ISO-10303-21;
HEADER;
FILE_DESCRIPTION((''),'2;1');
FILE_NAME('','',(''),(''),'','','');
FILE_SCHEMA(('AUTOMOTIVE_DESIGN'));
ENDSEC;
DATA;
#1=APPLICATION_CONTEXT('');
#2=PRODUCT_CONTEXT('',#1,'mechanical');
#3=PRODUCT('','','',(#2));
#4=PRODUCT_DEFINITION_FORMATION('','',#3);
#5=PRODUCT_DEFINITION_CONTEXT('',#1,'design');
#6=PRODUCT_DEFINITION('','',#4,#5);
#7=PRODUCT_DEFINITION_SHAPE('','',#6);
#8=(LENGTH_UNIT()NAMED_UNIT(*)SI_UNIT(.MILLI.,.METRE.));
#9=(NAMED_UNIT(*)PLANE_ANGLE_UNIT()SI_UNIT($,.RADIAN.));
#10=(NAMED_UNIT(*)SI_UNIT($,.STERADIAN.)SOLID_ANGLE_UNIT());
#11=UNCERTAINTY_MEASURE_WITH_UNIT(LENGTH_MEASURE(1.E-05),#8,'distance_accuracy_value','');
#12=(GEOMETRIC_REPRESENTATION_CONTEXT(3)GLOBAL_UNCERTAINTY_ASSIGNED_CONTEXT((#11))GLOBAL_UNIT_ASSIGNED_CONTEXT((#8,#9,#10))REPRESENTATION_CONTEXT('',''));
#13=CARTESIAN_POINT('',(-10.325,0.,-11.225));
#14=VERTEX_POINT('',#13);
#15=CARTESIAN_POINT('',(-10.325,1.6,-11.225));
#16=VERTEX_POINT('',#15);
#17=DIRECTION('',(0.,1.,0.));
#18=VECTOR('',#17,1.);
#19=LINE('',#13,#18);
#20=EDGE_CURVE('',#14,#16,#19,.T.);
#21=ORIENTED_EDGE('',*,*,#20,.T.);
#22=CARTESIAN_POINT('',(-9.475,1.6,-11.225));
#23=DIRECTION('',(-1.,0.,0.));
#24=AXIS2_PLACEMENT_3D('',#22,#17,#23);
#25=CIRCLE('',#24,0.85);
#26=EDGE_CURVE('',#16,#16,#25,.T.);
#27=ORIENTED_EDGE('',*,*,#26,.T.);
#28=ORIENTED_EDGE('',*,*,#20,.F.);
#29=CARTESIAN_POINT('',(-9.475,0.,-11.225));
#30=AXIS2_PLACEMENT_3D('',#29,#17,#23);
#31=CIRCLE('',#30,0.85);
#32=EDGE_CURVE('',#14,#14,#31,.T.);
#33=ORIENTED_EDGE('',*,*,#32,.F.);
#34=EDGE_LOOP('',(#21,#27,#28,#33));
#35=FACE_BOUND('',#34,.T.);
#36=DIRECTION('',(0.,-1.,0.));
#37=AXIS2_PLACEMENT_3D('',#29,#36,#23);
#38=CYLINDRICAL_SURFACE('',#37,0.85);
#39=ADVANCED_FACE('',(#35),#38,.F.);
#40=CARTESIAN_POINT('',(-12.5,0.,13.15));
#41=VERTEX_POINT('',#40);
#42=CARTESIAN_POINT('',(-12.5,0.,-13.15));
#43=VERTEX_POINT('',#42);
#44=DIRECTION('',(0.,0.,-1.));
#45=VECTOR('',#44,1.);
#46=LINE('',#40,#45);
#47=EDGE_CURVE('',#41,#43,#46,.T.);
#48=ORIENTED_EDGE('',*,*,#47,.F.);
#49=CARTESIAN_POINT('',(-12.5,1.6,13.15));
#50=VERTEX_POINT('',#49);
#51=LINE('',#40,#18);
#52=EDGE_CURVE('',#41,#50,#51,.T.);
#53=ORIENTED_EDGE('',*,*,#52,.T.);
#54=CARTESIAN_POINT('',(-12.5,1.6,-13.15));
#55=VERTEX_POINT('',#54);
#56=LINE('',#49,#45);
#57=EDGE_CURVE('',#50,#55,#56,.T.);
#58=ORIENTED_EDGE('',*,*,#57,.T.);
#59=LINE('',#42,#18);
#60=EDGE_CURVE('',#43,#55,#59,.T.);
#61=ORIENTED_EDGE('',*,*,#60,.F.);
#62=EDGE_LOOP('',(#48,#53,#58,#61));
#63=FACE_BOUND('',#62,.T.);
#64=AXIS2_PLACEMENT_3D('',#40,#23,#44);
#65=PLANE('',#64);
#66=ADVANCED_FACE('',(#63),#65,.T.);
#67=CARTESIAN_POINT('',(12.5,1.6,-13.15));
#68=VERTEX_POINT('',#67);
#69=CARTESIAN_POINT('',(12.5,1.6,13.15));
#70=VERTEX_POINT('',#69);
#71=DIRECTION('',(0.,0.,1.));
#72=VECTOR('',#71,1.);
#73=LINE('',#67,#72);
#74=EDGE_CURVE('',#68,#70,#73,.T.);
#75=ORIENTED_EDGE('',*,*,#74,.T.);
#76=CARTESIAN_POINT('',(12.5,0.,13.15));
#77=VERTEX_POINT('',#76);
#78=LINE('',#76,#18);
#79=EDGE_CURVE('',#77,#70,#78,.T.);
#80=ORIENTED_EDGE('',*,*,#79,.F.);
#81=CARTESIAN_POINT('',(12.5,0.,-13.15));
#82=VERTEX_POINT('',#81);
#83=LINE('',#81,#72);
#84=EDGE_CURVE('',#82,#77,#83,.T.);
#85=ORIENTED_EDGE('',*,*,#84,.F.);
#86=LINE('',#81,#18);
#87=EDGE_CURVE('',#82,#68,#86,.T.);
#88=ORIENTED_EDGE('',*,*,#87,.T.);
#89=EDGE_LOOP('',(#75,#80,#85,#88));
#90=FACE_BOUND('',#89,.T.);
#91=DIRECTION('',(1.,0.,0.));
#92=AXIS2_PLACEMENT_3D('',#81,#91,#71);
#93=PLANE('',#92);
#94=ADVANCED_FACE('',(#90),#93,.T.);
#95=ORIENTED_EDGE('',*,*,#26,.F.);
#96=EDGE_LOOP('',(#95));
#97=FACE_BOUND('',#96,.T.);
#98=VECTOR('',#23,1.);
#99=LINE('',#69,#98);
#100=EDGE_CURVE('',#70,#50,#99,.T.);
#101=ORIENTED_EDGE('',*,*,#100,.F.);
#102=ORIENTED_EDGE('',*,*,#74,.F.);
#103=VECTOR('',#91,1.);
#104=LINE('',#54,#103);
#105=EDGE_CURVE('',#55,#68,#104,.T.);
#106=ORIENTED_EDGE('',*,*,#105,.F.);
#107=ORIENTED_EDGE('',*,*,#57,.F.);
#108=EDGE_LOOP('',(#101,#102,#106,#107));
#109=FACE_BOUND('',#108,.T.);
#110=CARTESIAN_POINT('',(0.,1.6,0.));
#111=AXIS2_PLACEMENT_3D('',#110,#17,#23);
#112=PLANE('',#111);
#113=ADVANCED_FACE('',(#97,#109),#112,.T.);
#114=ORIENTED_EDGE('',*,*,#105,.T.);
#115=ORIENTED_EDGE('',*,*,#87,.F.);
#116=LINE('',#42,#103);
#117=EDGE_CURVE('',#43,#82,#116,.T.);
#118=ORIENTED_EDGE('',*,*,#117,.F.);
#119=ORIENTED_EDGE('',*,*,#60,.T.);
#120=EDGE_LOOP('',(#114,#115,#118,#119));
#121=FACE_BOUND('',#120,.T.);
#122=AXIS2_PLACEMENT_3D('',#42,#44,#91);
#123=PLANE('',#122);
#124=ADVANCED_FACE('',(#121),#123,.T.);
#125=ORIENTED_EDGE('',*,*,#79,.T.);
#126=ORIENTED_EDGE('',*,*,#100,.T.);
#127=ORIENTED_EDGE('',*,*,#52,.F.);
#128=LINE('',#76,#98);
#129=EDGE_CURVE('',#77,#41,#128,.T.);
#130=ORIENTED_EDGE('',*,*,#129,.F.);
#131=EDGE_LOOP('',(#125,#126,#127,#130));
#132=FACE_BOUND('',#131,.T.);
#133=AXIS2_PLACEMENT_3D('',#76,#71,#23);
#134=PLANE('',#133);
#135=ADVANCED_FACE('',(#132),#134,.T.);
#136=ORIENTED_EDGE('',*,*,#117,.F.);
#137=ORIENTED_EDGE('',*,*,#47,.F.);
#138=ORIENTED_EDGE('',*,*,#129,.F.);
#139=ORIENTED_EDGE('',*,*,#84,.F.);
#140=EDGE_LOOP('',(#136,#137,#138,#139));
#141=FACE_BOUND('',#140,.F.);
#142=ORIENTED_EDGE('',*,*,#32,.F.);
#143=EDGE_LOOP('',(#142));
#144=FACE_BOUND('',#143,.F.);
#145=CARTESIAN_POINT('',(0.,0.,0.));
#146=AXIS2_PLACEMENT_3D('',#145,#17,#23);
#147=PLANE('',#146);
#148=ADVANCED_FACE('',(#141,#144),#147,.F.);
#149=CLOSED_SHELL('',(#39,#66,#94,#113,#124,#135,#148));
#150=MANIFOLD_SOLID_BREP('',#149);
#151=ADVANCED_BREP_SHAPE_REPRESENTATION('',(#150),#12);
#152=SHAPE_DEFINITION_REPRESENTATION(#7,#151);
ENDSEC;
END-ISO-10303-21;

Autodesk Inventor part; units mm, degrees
ref_plane "YZ Plane" through (0, 0, 0) normal (1, 0, 0) x (0, 1, 0)
ref_plane "XZ Plane" through (0, 0, 0) normal (0, 1, 0) x (-1, 0, 0)
ref_plane "XY Plane" through (0, 0, 0) normal (0, 0, 1) x (1, 0, 0)
sketch "Sketch1" plane through (0, 0, 0) normal (0, 1, 0) x (-1, 0, 0)
  line L0 (-12.5, 13.15) -> (12.5, 13.15)
  line L1 (12.5, 13.15) -> (12.5, -13.15)
  line L2 (12.5, -13.15) -> (-12.5, -13.15)
  line L3 (-12.5, -13.15) -> (-12.5, 13.15)
  line L4 (-12.5, 13.15) -> (12.5, -13.15) construction
  line L5 (12.5, 13.15) -> (-12.5, -13.15) construction
  circle A0 centre (9.475, -11.225) radius 0.85
  point P0 (0, 0)
  dimension "d0" = 25
  dimension "d1" = 26.3
  dimension "d2" = 1.7
extrude "Extrusion1" add sketch "Sketch1" along normal blind 1.6
properties part number "Vero_Board"
